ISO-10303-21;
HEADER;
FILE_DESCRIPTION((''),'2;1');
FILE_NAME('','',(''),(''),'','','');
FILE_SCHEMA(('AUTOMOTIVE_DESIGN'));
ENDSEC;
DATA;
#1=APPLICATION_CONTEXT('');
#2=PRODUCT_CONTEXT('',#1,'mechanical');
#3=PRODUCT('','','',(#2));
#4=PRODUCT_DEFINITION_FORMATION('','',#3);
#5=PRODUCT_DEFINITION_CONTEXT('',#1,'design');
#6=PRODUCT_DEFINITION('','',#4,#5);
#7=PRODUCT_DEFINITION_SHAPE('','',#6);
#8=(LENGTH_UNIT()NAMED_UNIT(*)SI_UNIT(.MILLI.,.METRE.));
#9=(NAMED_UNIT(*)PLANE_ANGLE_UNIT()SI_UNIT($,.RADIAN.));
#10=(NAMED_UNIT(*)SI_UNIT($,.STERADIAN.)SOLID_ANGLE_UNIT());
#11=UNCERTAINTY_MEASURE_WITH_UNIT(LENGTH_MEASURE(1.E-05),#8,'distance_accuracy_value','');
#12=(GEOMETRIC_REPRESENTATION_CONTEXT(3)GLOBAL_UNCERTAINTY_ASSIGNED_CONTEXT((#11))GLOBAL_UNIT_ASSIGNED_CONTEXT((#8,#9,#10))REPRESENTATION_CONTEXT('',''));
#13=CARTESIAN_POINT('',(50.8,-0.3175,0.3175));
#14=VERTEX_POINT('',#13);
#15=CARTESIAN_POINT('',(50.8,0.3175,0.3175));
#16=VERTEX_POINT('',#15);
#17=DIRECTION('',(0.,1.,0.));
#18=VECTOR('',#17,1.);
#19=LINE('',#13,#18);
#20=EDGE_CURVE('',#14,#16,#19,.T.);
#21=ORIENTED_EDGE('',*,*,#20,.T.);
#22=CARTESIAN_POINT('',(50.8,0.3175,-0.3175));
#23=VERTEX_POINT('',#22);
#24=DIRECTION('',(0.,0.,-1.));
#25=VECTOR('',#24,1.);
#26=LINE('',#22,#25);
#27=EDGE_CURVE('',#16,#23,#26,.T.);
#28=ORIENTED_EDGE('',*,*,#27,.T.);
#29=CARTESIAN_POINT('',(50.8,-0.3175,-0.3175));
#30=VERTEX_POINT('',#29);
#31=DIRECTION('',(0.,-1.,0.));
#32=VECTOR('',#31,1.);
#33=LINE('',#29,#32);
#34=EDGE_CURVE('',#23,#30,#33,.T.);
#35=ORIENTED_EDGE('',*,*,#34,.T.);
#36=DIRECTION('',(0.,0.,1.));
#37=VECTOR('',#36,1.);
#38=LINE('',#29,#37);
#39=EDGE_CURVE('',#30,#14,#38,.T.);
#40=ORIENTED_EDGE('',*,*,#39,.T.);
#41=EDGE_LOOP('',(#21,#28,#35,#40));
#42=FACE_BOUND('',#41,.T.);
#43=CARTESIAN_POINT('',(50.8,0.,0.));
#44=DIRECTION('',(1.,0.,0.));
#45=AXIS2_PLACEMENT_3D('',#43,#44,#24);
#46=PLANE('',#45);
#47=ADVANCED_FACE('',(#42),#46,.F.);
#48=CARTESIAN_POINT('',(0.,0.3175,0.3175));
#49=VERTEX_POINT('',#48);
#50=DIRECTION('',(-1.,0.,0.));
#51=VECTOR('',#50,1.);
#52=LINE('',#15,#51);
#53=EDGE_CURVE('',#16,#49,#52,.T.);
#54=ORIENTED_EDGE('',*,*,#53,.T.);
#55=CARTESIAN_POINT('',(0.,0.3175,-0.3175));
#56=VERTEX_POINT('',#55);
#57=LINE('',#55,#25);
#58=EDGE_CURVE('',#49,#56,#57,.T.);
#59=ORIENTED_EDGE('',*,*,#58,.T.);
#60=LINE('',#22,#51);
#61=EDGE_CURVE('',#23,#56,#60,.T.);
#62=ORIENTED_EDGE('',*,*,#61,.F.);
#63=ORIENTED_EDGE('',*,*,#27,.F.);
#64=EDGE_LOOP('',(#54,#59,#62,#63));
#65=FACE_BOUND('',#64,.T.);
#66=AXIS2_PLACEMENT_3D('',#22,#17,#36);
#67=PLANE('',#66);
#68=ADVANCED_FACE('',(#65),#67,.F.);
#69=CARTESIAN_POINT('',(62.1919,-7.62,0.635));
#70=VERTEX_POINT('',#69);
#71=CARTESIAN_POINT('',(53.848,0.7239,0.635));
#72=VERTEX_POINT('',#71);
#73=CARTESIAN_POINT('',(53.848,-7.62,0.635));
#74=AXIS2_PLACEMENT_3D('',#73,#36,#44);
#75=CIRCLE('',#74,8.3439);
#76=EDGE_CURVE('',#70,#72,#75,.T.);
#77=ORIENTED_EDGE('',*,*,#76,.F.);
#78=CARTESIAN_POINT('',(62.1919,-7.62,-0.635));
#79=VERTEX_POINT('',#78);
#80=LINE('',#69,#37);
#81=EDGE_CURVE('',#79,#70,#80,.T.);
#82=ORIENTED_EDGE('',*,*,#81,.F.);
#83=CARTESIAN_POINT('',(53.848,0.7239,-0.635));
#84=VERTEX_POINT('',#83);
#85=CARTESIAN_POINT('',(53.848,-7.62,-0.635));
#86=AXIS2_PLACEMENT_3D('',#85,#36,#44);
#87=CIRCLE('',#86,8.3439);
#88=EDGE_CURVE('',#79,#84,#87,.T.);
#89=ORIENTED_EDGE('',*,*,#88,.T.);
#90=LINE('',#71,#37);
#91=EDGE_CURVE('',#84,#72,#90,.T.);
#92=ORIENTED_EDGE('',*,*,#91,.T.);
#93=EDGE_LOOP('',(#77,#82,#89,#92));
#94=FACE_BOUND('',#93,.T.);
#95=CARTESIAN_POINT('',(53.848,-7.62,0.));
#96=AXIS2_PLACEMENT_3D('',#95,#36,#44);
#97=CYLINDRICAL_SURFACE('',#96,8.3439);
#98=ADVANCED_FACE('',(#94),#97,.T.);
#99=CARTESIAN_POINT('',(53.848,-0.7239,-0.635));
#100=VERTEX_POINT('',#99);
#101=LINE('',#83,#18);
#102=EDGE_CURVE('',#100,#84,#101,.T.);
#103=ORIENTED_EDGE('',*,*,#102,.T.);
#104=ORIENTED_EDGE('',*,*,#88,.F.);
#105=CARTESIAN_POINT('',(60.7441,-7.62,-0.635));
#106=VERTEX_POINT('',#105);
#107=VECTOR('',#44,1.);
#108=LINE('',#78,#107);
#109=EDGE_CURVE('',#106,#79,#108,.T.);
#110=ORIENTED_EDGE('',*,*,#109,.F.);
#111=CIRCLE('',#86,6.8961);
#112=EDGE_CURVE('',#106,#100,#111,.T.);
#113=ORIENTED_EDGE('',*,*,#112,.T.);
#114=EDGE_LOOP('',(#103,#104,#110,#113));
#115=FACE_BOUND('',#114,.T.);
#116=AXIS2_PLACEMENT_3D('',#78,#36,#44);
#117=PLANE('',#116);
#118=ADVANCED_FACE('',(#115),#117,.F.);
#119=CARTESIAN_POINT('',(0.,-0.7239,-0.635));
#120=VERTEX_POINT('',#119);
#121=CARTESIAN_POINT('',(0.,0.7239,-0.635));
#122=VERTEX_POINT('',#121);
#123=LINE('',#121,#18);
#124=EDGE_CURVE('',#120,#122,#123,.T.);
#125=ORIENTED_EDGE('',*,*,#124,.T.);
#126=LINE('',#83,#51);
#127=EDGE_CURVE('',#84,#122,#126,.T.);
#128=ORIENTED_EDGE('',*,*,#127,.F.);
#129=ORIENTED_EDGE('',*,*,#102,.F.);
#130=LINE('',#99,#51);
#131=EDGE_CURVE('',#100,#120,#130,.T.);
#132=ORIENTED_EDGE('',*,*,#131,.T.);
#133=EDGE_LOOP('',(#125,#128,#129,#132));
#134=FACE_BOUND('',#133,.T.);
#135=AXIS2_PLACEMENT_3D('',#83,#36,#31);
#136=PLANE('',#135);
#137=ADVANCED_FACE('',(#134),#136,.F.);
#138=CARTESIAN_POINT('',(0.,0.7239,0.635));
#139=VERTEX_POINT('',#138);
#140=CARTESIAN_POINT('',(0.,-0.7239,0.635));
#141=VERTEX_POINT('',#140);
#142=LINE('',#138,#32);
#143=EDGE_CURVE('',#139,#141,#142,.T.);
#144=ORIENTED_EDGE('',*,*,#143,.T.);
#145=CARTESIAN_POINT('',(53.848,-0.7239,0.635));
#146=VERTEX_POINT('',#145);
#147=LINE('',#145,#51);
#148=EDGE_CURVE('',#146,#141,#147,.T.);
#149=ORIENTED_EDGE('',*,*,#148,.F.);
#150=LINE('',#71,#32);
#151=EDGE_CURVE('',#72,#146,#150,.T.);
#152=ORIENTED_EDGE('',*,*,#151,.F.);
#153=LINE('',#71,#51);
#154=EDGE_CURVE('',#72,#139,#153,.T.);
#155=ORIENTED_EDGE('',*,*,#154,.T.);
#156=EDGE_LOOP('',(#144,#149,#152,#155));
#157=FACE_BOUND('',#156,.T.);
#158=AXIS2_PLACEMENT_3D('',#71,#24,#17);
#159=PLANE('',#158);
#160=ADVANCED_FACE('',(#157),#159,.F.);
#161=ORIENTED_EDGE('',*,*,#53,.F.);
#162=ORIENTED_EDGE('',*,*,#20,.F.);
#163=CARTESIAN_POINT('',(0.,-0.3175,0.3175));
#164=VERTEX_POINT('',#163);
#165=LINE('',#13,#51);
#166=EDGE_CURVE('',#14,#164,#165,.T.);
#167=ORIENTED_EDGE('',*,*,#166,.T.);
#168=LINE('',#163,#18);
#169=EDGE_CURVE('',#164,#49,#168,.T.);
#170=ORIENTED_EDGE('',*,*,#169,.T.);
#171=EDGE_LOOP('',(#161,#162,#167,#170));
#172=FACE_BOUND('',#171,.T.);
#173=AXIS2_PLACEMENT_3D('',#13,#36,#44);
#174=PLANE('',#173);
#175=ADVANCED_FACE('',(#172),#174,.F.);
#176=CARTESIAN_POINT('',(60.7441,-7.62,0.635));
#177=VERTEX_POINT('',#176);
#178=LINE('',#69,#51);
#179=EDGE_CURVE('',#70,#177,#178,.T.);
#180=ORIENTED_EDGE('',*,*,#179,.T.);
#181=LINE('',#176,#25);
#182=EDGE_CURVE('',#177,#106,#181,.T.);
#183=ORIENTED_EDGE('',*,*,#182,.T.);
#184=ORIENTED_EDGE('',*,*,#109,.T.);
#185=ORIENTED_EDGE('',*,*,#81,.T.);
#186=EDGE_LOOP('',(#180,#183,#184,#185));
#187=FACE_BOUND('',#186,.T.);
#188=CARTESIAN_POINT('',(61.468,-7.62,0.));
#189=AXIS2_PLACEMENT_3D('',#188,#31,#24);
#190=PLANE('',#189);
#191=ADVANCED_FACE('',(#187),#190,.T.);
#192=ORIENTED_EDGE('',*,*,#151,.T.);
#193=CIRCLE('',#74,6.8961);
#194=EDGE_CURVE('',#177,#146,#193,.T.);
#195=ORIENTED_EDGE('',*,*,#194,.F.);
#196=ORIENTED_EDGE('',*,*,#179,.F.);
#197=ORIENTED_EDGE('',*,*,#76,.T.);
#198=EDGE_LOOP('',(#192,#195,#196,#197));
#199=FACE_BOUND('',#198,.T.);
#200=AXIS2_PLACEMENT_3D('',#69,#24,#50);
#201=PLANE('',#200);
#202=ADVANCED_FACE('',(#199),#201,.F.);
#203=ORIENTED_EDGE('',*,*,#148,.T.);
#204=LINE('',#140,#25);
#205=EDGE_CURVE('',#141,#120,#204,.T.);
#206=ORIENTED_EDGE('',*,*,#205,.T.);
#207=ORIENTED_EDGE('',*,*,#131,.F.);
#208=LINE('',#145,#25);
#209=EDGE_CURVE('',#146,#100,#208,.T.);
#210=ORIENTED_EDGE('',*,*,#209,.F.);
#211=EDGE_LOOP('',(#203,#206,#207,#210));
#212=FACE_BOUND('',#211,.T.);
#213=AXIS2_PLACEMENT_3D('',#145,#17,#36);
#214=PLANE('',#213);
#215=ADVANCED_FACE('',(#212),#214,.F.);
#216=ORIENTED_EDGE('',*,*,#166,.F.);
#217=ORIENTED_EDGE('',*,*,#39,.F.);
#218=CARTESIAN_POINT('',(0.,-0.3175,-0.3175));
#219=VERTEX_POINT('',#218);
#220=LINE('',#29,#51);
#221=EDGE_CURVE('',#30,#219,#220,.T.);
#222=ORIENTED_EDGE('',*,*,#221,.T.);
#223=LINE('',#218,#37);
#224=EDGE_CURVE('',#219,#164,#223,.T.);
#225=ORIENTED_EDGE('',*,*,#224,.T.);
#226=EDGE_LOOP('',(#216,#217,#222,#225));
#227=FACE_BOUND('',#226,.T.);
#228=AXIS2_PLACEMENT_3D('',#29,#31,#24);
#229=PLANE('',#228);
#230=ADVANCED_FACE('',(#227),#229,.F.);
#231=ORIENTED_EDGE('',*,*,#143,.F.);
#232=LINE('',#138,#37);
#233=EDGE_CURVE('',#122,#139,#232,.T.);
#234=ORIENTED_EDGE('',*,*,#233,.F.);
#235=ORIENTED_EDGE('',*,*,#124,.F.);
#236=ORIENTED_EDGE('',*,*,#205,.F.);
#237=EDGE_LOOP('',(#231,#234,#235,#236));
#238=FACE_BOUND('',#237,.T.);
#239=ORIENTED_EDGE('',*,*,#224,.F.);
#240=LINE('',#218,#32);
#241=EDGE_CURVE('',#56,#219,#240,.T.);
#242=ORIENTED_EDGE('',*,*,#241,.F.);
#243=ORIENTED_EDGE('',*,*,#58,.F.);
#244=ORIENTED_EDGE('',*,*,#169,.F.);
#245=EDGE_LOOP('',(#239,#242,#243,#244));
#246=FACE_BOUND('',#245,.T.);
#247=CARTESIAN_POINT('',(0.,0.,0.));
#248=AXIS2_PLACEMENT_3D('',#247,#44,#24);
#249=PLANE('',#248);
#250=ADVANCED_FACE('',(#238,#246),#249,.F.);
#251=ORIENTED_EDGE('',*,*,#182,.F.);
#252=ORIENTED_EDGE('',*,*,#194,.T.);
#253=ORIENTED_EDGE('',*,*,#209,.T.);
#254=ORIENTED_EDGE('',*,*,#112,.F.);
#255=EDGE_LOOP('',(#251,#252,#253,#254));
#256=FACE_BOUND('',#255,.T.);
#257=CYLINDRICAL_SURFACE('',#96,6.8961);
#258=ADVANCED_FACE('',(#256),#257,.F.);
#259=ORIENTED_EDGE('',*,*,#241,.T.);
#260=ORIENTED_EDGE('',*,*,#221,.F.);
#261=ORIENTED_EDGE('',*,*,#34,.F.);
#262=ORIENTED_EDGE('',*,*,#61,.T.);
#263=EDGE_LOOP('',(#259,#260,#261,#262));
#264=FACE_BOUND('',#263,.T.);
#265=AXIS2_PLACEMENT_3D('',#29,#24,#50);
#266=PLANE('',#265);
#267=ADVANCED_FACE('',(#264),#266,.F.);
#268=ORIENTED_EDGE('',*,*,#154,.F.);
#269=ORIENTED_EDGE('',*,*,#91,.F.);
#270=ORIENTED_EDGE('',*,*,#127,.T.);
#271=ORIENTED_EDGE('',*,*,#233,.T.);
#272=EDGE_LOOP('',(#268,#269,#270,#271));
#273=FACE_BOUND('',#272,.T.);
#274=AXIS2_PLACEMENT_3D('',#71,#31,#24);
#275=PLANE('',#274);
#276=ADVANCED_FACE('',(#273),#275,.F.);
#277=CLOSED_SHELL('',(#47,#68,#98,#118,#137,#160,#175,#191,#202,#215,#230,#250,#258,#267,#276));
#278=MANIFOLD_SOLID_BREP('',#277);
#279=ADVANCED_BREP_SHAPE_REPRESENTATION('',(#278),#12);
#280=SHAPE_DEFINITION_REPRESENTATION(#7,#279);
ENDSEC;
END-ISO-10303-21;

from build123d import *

# Parameters (mm, degrees)
SKETCH3_W          = 1.27
SKETCH3_H          = 1.4478
SKETCH9_W          = 0.635
SKETCH9_H          = 0.635
CUT_EXTRUDE1_DEPTH = 50.8


with BuildPart() as part:
    # Sweep2: sweep along a path in Sketch2
    with BuildLine(Plane.XY) as sweep2_path:
        Line((0, 0), (53.848, 0))
        ThreePointArc((53.848, 0), (59.236153673, -2.231846327), (61.468, -7.62))
    # Sketch3 → Sweep2 (sweep)
    with BuildSketch(Plane(origin=(0, 0, 0), x_dir=(0, 0, -1), z_dir=(1, 0, 0))):
        Rectangle(SKETCH3_W, SKETCH3_H)
    sweep(path=sweep2_path.line)

    # Sketch9 → Cut-Extrude1 (cut)
    with BuildSketch(Plane.ZY):
        Rectangle(SKETCH9_W, SKETCH9_H)
    extrude(amount=-CUT_EXTRUDE1_DEPTH, mode=Mode.SUBTRACT)


solid = part.part
